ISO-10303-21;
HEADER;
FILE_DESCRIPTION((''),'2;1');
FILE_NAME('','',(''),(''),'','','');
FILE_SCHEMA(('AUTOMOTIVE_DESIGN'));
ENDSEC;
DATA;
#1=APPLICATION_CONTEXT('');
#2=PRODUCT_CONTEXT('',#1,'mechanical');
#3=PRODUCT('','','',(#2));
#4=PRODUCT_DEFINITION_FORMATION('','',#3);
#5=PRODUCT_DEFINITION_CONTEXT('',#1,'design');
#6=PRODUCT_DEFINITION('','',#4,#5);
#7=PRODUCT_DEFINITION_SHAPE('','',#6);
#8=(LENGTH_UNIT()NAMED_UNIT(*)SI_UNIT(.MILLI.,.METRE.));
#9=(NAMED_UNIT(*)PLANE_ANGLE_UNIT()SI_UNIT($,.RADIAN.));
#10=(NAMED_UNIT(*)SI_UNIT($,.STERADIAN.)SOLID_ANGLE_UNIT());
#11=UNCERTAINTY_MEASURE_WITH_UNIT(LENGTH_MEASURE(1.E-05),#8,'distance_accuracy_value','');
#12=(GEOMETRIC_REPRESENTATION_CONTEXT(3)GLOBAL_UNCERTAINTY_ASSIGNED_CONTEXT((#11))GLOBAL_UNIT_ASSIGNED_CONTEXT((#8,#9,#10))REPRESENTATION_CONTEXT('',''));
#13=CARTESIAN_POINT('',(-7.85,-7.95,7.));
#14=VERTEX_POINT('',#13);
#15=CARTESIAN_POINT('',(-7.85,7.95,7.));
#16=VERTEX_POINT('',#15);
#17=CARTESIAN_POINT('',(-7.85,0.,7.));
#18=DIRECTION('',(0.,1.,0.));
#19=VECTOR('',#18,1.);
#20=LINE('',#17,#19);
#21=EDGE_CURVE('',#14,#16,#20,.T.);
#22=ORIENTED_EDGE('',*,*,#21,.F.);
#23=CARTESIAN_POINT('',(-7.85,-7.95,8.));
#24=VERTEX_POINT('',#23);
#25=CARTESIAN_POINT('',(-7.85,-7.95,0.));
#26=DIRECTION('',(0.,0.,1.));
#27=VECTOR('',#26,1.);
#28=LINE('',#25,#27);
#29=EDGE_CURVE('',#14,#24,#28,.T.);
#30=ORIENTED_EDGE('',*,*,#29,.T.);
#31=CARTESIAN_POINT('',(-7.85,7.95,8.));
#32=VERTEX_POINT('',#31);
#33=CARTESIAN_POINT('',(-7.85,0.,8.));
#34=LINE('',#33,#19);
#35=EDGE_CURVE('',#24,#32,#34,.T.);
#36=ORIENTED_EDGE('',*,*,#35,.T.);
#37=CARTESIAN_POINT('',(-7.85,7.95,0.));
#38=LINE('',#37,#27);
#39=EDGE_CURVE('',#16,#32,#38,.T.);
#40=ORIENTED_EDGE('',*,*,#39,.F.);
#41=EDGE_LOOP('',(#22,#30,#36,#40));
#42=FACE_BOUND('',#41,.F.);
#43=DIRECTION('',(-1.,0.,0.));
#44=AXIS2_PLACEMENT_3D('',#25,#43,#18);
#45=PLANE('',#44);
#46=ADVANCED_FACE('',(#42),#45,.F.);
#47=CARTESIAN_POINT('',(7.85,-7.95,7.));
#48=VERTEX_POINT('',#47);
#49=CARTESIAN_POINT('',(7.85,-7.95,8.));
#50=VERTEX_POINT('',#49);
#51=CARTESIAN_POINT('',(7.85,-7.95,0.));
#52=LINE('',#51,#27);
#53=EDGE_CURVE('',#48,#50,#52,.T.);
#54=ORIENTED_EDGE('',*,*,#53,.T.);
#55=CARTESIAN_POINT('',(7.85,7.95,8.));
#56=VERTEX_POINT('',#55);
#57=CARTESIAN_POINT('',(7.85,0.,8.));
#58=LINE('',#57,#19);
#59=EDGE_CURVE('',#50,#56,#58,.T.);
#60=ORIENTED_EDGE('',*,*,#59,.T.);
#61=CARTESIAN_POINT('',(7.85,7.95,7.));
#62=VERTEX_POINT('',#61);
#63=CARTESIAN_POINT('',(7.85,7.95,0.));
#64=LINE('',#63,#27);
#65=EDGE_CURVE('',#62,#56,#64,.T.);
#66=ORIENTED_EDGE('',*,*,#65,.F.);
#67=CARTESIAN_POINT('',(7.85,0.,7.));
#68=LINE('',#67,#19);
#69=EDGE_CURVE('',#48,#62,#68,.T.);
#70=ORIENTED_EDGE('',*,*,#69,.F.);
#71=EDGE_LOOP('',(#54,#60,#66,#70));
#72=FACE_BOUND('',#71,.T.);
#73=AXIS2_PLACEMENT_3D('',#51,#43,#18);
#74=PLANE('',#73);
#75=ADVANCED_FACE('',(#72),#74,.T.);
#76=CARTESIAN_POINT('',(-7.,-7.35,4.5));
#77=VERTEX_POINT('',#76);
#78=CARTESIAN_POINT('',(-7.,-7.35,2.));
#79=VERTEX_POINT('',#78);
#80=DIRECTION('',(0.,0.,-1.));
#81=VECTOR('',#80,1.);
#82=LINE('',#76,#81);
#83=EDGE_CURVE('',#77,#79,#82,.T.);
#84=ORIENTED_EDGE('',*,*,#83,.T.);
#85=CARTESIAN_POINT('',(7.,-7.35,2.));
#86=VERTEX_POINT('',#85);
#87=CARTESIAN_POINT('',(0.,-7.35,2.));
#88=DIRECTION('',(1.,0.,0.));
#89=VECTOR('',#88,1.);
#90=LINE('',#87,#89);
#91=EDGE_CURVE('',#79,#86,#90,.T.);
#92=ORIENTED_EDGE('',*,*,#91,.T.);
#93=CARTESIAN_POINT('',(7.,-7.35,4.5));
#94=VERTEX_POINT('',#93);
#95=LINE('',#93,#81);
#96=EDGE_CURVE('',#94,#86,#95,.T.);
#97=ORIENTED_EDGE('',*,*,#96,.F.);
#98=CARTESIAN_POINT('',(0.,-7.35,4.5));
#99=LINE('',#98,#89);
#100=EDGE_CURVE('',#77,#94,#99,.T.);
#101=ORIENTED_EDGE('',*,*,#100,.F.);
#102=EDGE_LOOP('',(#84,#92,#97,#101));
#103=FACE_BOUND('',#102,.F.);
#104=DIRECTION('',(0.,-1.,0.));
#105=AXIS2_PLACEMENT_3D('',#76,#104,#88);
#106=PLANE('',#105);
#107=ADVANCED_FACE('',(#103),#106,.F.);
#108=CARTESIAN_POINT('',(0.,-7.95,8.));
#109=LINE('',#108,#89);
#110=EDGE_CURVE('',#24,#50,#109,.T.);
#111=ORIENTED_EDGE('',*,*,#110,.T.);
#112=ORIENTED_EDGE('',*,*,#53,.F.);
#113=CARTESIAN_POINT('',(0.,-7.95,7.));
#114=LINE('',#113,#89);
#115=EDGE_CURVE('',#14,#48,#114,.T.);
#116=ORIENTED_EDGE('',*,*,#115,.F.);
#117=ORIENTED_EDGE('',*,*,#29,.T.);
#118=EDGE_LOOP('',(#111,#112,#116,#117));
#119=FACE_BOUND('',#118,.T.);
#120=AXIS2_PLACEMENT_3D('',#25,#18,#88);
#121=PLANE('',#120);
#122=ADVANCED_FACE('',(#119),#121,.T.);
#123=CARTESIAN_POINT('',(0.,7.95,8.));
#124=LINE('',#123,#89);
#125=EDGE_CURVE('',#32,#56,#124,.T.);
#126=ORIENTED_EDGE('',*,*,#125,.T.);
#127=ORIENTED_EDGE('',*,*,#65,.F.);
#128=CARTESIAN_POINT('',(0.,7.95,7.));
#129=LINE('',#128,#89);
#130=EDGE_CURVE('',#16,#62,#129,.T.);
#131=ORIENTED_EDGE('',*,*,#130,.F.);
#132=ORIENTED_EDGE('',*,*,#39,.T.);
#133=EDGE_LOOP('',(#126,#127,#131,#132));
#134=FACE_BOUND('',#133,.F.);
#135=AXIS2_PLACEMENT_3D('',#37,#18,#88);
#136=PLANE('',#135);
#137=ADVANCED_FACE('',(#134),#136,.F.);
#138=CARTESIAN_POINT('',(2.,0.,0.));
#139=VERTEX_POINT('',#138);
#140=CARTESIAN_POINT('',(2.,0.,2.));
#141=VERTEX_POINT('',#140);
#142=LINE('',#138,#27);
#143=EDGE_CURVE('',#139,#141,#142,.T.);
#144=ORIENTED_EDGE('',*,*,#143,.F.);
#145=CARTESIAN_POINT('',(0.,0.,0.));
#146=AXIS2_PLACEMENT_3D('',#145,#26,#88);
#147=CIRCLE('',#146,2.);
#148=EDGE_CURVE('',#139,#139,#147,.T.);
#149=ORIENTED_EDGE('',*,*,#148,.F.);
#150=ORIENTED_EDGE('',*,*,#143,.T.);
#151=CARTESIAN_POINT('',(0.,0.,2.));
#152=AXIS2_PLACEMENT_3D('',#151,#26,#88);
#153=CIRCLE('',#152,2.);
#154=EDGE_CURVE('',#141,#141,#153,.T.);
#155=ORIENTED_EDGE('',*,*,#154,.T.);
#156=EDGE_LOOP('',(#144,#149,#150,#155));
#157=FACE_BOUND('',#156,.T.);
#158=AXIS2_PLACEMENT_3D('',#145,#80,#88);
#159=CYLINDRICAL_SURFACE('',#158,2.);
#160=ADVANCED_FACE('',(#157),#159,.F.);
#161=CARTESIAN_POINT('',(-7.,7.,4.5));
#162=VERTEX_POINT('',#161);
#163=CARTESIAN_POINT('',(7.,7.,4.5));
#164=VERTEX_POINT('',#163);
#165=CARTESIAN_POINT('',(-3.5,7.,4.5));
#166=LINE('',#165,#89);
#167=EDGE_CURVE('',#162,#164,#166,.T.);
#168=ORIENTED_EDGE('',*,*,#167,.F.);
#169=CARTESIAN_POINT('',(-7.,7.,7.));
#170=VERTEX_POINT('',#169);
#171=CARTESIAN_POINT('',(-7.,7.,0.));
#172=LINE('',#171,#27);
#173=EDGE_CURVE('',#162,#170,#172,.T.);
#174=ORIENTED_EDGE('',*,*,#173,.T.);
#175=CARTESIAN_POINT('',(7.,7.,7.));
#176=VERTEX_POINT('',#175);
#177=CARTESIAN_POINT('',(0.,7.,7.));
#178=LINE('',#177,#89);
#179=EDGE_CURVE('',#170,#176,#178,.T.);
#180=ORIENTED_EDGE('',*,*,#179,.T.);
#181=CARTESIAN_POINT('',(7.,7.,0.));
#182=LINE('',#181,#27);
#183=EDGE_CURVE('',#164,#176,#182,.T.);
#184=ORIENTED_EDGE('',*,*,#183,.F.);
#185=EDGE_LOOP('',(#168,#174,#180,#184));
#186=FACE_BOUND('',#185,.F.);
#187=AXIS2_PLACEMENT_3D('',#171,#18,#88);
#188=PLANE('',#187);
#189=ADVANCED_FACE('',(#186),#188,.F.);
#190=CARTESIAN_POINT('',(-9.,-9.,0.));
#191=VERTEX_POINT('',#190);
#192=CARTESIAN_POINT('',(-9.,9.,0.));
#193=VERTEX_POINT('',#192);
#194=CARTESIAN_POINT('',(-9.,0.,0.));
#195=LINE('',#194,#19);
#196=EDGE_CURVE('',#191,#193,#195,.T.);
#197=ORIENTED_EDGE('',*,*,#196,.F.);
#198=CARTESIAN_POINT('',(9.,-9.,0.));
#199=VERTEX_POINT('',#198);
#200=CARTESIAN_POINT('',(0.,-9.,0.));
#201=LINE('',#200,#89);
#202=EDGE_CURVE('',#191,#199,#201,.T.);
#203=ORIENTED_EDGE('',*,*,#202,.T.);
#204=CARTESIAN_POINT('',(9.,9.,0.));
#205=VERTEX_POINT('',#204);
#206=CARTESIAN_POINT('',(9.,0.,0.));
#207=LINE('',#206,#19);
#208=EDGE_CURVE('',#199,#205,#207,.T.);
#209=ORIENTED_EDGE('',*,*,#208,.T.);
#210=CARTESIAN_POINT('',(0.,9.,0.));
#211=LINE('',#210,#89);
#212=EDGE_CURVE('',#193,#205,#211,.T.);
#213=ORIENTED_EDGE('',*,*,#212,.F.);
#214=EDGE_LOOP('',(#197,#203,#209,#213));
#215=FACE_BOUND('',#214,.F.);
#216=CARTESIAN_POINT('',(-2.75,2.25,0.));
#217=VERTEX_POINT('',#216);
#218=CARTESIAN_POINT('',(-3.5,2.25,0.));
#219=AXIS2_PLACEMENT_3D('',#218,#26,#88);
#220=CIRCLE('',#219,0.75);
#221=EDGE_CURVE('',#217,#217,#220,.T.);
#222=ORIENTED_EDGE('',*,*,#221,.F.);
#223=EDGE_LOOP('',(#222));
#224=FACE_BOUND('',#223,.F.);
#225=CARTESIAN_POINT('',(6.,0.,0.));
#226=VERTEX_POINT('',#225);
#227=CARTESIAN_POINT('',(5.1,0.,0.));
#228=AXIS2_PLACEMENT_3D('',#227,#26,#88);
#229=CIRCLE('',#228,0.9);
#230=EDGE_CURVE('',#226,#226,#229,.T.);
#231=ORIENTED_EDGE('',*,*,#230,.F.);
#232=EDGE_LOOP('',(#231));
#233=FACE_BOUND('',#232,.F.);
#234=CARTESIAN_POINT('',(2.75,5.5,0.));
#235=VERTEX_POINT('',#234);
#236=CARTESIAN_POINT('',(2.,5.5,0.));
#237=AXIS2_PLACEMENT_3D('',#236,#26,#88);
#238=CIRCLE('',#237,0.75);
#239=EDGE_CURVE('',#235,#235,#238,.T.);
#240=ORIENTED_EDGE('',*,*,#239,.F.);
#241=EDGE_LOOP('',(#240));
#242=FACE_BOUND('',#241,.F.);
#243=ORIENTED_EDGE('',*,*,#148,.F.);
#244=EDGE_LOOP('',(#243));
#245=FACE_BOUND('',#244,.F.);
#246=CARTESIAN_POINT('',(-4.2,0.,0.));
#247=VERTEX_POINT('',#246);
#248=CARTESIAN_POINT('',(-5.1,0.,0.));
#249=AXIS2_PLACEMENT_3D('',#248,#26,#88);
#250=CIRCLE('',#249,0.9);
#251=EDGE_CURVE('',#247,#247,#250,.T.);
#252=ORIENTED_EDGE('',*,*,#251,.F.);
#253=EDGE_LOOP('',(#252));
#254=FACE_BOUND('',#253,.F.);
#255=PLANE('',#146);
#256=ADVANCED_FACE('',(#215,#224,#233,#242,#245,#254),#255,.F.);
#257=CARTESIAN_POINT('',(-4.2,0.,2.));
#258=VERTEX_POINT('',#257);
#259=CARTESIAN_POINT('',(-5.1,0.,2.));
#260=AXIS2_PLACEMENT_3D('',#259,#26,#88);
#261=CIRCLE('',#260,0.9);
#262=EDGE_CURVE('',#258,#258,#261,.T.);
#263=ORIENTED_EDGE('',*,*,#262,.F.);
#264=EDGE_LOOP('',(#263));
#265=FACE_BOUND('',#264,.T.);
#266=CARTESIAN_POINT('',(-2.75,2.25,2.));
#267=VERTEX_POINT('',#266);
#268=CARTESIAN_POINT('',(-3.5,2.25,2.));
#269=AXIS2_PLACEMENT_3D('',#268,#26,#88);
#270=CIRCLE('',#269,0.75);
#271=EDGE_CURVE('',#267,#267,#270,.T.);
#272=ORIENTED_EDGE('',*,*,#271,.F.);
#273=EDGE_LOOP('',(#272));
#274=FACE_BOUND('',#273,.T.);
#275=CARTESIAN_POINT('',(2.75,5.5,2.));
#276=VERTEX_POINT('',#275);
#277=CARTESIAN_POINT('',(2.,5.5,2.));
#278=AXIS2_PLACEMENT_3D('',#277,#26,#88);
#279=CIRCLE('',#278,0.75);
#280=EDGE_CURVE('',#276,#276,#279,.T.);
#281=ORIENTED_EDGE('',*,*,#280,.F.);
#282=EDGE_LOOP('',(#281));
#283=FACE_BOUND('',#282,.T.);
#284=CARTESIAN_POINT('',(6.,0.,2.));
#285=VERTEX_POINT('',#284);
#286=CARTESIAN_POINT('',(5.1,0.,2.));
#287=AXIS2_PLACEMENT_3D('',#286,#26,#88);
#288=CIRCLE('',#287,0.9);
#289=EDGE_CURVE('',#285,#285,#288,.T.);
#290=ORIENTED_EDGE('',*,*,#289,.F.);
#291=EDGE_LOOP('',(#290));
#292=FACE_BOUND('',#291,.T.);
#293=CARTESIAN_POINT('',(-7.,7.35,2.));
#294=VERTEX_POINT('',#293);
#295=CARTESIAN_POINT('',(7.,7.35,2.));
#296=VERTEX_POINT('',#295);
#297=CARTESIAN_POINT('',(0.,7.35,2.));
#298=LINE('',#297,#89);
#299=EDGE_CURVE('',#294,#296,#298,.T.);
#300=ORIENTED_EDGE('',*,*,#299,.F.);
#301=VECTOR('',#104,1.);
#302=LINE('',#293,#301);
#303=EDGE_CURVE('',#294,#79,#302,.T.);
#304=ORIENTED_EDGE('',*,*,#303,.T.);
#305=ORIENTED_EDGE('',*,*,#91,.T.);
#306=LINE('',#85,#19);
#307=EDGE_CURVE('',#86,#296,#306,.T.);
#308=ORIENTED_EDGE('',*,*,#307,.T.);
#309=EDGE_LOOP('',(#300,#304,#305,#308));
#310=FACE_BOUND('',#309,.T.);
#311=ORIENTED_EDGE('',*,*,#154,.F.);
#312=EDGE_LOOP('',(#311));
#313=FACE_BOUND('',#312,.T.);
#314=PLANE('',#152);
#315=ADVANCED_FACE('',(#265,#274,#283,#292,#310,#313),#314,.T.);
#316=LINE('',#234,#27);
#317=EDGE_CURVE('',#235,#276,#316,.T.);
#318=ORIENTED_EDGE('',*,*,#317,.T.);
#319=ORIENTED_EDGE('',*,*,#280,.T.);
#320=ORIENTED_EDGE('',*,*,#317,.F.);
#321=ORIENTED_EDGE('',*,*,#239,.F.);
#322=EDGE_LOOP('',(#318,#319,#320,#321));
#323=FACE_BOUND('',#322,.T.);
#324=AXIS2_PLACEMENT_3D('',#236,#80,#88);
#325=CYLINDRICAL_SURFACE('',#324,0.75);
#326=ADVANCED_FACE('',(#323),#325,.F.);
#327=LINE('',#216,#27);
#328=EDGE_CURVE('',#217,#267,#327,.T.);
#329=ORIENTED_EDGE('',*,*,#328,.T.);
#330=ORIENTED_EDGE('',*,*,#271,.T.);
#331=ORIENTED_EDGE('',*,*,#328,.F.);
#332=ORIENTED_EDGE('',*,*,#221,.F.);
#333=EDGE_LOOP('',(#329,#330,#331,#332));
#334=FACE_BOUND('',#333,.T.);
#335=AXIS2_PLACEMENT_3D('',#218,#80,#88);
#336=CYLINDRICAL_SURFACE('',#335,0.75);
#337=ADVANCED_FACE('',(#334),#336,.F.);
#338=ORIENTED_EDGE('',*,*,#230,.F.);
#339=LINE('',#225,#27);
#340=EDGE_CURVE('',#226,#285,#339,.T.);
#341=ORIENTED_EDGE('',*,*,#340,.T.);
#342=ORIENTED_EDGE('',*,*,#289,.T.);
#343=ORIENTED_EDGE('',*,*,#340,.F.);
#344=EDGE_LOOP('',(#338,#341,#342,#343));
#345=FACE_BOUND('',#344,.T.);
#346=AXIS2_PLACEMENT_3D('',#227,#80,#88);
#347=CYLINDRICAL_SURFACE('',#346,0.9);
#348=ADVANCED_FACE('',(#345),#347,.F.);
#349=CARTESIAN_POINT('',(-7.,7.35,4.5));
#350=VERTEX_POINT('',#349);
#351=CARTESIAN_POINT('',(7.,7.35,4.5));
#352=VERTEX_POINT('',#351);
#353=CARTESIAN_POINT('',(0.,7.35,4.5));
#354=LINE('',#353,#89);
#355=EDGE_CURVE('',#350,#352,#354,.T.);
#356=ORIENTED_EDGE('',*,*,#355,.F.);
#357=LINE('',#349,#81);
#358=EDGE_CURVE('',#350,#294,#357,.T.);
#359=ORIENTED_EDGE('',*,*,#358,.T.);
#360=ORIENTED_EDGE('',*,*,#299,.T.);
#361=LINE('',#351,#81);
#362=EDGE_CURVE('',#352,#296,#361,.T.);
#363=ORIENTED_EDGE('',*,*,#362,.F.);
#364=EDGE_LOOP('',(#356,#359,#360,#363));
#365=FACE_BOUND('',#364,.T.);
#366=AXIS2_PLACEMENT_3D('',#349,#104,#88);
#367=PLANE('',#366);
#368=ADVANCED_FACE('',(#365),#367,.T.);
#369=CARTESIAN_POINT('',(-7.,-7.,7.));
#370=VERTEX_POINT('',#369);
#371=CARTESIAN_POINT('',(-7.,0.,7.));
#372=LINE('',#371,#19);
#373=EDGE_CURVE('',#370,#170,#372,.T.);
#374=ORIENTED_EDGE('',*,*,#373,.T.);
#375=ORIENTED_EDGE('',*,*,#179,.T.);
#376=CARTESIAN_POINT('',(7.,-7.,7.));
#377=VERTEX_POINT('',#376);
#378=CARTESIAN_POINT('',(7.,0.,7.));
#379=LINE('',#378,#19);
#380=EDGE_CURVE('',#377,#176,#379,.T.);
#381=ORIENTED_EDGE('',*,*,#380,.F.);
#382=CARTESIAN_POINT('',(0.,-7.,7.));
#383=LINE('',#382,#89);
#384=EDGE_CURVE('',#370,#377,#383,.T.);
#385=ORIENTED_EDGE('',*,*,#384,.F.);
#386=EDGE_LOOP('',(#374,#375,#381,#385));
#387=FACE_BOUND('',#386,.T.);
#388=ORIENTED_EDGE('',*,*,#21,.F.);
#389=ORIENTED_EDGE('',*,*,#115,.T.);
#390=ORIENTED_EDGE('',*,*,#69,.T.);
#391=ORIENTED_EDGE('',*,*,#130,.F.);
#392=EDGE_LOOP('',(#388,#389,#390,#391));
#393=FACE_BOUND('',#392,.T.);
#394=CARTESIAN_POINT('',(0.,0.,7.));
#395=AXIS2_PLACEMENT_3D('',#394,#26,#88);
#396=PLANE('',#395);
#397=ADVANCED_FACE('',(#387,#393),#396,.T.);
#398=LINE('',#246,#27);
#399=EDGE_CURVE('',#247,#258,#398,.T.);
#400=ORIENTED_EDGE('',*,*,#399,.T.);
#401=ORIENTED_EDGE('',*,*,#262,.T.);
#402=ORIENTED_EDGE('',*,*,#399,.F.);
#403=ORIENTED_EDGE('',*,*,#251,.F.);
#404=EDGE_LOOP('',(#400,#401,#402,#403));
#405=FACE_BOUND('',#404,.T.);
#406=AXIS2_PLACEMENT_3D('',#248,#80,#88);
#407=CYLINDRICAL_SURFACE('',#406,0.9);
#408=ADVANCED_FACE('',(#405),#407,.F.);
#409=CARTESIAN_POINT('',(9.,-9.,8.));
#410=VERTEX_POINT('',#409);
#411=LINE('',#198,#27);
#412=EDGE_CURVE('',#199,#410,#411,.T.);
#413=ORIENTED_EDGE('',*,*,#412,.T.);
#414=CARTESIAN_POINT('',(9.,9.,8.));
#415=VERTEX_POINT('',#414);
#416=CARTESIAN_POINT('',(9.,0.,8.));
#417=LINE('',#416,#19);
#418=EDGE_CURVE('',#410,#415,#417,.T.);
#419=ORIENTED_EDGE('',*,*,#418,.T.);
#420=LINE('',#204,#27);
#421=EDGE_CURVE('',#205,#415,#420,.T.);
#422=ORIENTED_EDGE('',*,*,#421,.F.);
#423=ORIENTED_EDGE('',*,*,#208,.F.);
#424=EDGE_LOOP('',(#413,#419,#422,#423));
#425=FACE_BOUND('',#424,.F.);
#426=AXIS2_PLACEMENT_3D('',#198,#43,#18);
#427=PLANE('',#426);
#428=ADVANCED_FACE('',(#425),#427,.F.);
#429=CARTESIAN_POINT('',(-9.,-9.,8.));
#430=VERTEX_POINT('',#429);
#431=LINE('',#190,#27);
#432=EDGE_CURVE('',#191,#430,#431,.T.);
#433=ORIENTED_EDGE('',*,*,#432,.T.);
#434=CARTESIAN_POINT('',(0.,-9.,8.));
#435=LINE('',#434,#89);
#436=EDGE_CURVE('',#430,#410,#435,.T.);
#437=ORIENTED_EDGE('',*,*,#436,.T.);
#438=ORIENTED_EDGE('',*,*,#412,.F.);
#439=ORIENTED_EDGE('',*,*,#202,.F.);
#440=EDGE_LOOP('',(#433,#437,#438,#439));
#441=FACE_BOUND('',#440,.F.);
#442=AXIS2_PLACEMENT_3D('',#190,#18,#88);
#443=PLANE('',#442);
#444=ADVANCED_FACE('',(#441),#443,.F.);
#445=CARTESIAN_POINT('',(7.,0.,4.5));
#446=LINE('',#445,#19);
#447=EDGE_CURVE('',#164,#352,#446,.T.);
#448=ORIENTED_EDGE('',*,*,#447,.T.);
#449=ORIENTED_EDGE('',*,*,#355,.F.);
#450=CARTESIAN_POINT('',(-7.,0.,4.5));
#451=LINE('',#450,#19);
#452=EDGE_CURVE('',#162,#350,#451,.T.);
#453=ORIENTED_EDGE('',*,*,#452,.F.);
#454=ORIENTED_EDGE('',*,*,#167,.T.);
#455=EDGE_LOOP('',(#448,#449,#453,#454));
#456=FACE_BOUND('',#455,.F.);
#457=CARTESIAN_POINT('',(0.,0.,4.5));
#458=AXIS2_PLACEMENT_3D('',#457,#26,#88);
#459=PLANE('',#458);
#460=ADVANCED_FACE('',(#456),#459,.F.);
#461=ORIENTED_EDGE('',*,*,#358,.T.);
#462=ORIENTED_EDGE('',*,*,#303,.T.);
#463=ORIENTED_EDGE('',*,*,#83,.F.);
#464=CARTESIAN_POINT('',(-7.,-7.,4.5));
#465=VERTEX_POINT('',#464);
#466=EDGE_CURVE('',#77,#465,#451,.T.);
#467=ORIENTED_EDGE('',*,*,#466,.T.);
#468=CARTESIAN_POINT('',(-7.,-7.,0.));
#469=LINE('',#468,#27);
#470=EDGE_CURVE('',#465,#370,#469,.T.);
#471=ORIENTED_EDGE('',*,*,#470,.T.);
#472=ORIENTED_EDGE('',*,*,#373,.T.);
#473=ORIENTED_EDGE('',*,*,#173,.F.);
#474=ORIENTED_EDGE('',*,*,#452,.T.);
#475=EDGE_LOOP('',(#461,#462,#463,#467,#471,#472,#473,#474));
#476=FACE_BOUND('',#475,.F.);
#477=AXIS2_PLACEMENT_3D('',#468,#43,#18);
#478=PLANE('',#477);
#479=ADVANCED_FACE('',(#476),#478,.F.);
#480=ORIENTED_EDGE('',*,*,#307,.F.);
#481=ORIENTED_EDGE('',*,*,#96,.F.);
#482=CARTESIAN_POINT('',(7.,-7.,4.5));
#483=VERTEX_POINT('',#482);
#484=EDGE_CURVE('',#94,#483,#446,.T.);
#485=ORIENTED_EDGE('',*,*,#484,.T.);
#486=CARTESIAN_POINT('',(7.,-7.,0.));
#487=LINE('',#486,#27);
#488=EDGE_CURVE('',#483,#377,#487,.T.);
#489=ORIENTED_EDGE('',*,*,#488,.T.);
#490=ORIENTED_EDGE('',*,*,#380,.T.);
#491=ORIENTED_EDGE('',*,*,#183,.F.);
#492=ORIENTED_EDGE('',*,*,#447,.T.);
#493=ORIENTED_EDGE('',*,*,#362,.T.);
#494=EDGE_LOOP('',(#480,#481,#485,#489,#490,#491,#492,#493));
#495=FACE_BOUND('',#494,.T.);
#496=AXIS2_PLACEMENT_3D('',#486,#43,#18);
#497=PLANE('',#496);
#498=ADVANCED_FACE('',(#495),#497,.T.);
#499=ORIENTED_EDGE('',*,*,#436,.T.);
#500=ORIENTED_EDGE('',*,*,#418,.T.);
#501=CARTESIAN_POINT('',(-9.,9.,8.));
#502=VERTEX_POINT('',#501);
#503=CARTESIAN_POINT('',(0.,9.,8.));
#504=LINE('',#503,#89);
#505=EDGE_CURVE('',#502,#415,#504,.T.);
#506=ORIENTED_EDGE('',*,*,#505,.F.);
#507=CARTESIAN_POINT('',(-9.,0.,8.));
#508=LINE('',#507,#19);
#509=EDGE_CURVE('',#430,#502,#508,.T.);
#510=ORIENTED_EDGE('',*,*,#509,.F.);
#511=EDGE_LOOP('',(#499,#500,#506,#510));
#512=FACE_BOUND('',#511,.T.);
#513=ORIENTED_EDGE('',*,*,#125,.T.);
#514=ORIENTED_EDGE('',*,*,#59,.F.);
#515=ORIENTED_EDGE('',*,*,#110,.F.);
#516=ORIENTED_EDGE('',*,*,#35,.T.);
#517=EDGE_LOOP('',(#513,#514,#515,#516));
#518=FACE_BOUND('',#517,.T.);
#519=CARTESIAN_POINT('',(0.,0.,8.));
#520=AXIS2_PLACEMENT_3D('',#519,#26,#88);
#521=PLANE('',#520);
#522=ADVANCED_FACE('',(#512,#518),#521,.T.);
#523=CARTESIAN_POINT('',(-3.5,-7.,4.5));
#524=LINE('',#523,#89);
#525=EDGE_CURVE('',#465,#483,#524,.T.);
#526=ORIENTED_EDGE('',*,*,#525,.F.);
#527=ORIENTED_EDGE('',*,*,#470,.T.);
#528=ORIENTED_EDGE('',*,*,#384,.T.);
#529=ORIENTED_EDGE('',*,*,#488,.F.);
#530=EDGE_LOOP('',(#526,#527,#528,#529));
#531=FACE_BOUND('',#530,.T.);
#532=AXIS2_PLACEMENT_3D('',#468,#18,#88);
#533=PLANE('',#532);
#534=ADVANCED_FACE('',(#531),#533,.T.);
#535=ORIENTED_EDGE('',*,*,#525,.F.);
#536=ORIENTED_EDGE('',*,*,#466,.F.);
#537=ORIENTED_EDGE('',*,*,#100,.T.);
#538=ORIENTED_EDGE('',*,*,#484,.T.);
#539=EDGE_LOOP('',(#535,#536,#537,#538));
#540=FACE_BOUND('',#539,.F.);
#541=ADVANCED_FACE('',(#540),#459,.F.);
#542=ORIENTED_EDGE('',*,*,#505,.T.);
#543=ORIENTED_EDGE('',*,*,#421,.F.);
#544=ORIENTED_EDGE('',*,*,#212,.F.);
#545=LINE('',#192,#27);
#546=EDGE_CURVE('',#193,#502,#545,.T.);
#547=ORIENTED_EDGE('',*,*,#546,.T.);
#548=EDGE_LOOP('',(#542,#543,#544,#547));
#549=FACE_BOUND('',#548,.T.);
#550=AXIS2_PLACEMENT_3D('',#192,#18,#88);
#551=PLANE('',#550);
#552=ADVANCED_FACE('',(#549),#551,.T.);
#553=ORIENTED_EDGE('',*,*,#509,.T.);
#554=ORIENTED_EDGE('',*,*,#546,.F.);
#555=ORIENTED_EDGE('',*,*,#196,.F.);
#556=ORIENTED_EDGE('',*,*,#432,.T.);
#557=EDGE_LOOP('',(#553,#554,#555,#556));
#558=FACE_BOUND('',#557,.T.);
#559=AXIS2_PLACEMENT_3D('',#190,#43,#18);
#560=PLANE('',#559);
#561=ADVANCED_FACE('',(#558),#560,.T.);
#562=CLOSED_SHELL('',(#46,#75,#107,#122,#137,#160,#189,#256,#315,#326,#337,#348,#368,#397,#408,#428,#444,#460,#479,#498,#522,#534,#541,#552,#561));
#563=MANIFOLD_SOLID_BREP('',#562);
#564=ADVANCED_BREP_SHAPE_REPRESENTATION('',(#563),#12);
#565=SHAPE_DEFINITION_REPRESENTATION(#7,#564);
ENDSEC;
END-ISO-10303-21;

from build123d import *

# Parameters (mm, degrees)
F0_W     = 14
F0_H     = 14
F0_R     = 0.9
F0_R_2   = 0.75
F0_R_3   = 2
F1_DEPTH = 2
F0_W_2   = 15.7
F0_H_2   = 15.9
F3_DEPTH = 7
F0_W_3   = 18
F0_H_3   = 18
F4_DEPTH = 8
F5_W     = 14
F5_H     = 14.7
F6_DEPTH = 2.5


with BuildPart() as f1:
    # F0 (on Top) → F1 (new body)
    with BuildSketch(Plane.XY):
        Rectangle(F0_W, F0_H)
        with Locations((-5.1, 0)):
            Circle(F0_R, mode=Mode.SUBTRACT)
        with Locations((-3.5, 2.25)):
            Circle(F0_R_2, mode=Mode.SUBTRACT)
        Circle(F0_R_3, mode=Mode.SUBTRACT)
        with Locations((5.1, 0)):
            Circle(F0_R, mode=Mode.SUBTRACT)
        with Locations((2, 5.5)):
            Circle(F0_R_2, mode=Mode.SUBTRACT)
    extrude(amount=F1_DEPTH)

    # F0 (on Top) → F3 (join)
    with BuildSketch(Plane.XY):
        Rectangle(F0_W_2, F0_H_2)
        Rectangle(F0_W, F0_H, mode=Mode.SUBTRACT)
    extrude(amount=F3_DEPTH)

    # F0 (on Top) → F4 (join)
    with BuildSketch(Plane.XY):
        Rectangle(F0_W_3, F0_H_3)
        Rectangle(F0_W_2, F0_H_2, mode=Mode.SUBTRACT)
    extrude(amount=F4_DEPTH)

    # F5 (on offset) → F6 (cut, through all)
    with BuildSketch(Plane.XY.offset(4.5)):
        Rectangle(F5_W, F5_H)
    extrude(amount=-F6_DEPTH, mode=Mode.SUBTRACT)


solid = f1.part
